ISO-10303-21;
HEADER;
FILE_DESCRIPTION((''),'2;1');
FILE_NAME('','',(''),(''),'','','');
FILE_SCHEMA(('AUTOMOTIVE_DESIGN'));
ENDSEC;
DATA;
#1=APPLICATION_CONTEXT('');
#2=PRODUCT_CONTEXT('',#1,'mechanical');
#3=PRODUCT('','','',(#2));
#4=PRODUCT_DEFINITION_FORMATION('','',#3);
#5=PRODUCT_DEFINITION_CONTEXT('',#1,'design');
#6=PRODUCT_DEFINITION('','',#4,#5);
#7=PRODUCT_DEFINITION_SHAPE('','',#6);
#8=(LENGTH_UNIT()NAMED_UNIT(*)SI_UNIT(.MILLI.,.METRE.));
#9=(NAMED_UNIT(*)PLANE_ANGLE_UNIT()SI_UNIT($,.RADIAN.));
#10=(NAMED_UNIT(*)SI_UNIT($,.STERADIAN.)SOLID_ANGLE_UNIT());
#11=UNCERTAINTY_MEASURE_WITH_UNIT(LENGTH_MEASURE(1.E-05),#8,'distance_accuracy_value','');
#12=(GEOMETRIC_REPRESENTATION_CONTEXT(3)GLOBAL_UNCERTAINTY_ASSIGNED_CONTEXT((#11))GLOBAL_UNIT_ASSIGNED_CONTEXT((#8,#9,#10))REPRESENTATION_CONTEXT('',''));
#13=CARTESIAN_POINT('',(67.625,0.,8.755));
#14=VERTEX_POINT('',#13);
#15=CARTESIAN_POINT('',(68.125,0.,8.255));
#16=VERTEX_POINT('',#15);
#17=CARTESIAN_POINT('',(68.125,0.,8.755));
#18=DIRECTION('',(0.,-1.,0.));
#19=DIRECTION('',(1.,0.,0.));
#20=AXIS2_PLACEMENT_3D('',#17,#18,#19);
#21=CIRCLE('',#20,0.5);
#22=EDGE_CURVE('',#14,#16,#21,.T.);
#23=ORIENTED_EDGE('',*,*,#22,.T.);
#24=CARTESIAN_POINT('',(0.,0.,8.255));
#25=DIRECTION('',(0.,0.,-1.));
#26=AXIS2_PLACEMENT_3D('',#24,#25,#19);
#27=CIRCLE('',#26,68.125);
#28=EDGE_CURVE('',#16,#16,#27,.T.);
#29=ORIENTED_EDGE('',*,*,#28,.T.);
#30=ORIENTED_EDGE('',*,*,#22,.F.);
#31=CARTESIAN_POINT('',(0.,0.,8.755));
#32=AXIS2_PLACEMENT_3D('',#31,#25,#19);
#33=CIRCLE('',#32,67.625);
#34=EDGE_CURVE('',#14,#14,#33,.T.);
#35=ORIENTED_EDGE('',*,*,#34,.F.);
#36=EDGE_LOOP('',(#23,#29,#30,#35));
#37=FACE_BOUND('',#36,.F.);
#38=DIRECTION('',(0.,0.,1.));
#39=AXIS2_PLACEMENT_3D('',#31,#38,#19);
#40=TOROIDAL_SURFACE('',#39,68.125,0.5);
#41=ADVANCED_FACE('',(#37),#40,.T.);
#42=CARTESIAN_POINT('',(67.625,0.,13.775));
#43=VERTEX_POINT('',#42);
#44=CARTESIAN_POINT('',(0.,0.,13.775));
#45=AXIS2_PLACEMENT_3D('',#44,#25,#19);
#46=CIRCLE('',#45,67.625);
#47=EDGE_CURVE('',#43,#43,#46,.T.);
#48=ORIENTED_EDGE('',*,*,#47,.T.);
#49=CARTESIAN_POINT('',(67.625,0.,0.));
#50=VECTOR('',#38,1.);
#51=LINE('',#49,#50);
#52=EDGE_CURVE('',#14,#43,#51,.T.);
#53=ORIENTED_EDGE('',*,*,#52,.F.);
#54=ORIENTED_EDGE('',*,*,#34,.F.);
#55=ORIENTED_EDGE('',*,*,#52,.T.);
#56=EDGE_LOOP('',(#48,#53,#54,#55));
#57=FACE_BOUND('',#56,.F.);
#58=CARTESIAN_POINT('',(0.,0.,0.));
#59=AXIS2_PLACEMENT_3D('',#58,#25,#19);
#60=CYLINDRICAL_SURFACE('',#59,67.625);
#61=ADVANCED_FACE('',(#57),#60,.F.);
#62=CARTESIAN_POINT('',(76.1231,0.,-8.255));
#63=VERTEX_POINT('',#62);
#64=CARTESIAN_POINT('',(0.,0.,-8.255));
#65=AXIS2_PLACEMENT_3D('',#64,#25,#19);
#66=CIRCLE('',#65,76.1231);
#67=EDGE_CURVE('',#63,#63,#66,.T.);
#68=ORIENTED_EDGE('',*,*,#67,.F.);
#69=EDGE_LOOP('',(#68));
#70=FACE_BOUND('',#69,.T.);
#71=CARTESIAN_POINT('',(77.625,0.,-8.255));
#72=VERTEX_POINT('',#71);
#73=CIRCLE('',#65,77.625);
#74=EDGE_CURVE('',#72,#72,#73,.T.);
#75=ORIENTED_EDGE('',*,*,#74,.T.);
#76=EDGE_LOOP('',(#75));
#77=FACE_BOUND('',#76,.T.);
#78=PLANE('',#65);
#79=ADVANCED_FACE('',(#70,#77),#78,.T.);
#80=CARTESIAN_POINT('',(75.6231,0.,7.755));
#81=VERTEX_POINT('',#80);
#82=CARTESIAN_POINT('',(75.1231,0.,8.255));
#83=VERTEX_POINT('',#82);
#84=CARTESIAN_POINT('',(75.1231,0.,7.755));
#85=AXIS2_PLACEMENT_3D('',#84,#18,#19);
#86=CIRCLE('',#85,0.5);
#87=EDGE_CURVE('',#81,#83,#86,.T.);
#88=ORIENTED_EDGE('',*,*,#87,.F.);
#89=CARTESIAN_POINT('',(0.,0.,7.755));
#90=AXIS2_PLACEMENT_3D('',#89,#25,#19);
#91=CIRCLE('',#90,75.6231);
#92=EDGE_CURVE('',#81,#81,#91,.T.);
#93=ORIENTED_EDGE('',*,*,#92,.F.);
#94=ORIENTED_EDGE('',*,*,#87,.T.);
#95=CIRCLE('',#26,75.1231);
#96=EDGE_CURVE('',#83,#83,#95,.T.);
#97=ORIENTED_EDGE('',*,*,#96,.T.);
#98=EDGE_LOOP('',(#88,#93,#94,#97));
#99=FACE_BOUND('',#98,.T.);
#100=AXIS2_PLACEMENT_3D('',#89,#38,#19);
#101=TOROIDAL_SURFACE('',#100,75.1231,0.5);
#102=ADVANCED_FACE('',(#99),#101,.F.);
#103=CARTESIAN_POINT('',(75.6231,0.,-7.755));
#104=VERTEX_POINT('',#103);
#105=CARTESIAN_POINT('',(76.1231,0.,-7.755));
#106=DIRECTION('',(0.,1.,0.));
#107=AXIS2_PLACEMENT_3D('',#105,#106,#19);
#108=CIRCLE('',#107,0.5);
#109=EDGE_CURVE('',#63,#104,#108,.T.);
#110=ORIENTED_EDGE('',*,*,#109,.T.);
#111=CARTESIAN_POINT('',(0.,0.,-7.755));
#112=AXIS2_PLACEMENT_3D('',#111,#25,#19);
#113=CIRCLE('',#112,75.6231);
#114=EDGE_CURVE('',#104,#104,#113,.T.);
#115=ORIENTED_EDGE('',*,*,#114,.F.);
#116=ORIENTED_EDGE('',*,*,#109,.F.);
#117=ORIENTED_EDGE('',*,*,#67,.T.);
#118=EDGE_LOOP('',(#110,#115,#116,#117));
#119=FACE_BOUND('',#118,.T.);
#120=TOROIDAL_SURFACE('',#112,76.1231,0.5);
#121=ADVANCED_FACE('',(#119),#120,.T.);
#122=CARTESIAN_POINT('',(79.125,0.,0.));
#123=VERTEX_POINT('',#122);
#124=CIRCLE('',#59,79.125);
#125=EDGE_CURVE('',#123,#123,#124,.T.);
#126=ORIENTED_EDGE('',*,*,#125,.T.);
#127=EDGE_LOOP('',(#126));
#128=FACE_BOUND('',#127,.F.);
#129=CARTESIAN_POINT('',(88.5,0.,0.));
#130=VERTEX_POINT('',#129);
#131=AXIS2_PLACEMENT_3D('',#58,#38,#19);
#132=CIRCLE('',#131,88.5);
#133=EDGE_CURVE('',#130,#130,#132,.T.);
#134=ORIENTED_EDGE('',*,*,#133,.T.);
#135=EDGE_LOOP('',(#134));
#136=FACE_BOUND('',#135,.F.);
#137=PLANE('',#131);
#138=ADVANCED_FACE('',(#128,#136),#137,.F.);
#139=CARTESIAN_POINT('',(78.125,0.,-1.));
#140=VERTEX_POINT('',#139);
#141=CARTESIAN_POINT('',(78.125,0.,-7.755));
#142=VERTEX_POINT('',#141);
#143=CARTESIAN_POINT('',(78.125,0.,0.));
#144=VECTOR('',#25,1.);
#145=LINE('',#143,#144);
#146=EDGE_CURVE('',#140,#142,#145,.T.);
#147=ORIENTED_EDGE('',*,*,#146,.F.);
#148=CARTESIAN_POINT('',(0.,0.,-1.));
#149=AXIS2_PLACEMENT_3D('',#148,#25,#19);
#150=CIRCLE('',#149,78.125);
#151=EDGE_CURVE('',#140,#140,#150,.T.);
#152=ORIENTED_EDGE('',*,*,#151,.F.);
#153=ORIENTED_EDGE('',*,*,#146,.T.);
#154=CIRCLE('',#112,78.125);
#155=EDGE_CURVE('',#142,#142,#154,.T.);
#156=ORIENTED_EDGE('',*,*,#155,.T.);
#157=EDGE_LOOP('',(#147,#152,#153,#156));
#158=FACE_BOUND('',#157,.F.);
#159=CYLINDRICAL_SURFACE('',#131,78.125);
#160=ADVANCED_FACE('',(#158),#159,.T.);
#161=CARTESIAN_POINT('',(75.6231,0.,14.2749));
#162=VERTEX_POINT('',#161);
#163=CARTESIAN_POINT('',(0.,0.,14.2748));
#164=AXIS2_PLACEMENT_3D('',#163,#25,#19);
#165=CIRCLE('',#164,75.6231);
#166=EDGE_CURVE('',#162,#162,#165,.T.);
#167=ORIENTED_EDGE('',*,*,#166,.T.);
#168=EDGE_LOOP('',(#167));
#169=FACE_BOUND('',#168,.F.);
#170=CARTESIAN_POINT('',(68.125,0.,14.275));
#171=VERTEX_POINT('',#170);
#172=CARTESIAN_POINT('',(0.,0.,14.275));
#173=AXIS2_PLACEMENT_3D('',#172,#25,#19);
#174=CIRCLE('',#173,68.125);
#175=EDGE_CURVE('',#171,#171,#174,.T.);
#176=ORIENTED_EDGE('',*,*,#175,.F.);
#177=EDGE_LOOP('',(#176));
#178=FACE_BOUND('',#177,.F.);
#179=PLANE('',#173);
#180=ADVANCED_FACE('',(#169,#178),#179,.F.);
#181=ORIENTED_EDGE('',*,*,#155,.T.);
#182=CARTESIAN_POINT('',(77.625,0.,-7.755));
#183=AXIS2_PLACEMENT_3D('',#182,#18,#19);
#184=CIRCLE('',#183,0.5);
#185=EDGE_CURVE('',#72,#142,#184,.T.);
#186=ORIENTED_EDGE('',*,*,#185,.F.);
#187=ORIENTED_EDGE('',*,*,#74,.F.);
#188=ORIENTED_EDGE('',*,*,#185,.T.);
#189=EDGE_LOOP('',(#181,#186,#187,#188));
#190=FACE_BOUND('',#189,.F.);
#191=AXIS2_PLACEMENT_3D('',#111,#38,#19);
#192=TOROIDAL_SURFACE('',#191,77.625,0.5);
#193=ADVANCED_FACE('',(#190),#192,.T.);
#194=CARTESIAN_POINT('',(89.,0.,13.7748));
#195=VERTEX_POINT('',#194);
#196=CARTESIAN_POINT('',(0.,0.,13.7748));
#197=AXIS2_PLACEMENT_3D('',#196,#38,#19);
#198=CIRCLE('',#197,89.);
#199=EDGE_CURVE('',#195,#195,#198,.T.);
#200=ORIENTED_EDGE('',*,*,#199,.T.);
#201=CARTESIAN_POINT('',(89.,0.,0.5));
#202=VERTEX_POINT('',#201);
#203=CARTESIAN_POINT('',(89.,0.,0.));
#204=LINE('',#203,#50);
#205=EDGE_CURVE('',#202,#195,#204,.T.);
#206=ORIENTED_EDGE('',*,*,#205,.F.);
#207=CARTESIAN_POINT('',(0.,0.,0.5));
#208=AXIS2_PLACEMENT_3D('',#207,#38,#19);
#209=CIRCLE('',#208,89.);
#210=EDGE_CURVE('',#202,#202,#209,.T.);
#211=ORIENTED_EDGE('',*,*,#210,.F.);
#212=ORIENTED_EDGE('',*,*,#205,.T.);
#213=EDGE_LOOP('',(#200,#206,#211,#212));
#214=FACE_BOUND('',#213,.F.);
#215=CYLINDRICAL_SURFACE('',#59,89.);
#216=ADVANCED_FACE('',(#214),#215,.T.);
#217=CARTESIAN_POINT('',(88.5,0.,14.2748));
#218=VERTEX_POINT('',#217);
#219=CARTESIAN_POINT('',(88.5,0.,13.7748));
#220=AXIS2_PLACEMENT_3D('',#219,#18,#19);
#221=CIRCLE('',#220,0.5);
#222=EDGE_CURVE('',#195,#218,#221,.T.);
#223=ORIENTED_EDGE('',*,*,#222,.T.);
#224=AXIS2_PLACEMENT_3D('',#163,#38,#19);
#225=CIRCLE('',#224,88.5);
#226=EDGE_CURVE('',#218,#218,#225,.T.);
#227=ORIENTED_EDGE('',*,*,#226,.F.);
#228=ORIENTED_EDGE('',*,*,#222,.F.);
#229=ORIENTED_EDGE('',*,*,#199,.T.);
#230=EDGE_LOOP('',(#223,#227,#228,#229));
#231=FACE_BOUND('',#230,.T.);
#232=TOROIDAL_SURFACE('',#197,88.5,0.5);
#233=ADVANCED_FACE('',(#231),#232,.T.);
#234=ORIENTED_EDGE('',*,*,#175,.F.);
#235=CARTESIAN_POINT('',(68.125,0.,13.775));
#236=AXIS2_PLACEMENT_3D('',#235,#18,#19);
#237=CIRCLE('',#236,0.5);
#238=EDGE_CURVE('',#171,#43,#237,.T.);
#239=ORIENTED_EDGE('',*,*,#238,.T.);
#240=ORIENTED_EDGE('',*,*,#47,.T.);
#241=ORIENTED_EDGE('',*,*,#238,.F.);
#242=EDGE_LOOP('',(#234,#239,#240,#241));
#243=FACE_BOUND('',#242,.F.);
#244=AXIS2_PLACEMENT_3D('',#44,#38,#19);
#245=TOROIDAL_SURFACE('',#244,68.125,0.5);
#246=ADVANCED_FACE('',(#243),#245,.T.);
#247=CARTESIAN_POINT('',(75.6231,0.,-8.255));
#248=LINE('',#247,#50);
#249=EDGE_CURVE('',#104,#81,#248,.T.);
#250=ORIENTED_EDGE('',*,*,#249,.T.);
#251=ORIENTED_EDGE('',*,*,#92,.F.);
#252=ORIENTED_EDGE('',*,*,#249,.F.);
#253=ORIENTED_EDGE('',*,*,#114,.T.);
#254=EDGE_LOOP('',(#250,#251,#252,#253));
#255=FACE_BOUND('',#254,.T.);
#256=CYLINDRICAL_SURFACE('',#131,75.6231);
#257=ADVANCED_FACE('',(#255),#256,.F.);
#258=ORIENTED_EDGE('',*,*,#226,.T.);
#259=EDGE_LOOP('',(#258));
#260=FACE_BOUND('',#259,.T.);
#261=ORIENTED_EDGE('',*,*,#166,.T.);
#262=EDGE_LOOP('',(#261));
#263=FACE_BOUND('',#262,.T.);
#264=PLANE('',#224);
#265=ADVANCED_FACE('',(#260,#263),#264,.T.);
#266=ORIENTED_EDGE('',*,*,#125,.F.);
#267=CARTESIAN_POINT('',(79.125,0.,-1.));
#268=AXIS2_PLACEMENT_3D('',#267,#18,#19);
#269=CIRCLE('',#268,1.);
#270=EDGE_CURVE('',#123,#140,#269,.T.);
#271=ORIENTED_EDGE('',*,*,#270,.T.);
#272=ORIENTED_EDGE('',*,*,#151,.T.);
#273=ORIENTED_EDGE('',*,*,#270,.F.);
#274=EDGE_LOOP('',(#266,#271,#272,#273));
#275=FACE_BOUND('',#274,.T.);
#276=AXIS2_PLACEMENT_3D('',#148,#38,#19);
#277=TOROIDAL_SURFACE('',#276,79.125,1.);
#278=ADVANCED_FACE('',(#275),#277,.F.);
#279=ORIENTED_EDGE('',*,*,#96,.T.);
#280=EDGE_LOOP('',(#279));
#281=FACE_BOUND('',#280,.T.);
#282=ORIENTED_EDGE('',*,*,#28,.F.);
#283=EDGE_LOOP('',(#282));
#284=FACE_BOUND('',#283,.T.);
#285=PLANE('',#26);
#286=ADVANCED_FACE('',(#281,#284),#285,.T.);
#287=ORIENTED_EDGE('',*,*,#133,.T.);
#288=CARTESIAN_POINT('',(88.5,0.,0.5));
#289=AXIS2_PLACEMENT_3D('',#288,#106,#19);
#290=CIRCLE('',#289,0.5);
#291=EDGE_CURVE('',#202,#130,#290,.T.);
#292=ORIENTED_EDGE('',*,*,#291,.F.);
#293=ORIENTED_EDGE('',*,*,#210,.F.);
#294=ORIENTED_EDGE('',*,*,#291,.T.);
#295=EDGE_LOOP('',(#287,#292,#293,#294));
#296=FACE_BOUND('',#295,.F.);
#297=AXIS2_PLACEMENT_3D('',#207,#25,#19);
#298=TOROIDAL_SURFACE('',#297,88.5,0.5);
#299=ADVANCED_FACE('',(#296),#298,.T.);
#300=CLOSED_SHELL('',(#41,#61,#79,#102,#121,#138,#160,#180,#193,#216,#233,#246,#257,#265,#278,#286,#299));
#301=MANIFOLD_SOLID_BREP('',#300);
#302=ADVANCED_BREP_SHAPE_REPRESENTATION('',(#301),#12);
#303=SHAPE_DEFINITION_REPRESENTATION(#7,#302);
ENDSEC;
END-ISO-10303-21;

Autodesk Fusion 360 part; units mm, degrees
sketch "Sketch1" plane through (0, 0, 0) normal (0, 0, 1) x (1, 0, 0)
  circle A0 centre (0, 0) radius 89
  dimension "d1" = 178
extrude "Extrude1" add sketch "Sketch1" along normal blind 14.2748
sketch "Sketch2" plane through (0, 0, 0) normal (0, 0, -1) x (1, 0, 0)
  circle A0 centre (0, 0) radius 89
  circle A1 centre (0, 0) radius 78.125
  circle A2 centre (0, 0) radius 75.6231
  dimension "d4" = 156.25
  dimension "d5" = 151.2462
extrude "Extrude2" add sketch "Sketch2" along normal blind 8.255 contours A1
extrude "Extrude3" cut 1 faces at (17.6402, 5.9585, 0) along direction (0, 0, 1) blind 60
sketch "Sketch3" plane through (0, 0, 0) normal (0, 0, -1) x (1, 0, 0)
  circle A0 centre (0, 0) radius 75.6231
  circle A1 centre (0, 0) radius 67.625
  dimension "d10" = 135.25
extrude "Extrude4" add sketch "Sketch3" against normal blind 14.275
extrude "Extrude5" cut 1 faces at (72.4237, 7.1167, 0) along direction (0, 0, 1) blind 6
extrude "Extrude6" cut 1 faces at (72.4237, 7.1167, 6) along direction (0, 0, 1) blind 2.255
fillet "Fillet1" radius 1 1 edges at (-72.8381, -28.2512, 0)
fillet "Fillet2" radius 0.5 1 edges at (-70.5055, -27.3465, -8.255)
fillet "Fillet3" radius 0.5 1 edges at (-72.8381, 28.2512, -8.255)
fillet "Fillet4" radius 0.5 1 edges at (-70.5055, -27.3465, 8.255)
fillet "Fillet5" radius 0.5 1 edges at (-82.9771, -32.1838, 0)
fillet "Fillet6" radius 0.5 1 edges at (-82.9771, -32.1838, 14.2748)
fillet "Fillet7" radius 0.5 2 edges at (-63.0486, 24.4542, 14.275) (-63.0486, 24.4542, 8.255)
equation "d2 = 0.27 in + 0.292 in"
equation "d5 = d4 - 0.197 in"
equation "d6 = 0.625 in - 0.3 in"
equation "d15 = 6.00 mm - 0.325 in"
